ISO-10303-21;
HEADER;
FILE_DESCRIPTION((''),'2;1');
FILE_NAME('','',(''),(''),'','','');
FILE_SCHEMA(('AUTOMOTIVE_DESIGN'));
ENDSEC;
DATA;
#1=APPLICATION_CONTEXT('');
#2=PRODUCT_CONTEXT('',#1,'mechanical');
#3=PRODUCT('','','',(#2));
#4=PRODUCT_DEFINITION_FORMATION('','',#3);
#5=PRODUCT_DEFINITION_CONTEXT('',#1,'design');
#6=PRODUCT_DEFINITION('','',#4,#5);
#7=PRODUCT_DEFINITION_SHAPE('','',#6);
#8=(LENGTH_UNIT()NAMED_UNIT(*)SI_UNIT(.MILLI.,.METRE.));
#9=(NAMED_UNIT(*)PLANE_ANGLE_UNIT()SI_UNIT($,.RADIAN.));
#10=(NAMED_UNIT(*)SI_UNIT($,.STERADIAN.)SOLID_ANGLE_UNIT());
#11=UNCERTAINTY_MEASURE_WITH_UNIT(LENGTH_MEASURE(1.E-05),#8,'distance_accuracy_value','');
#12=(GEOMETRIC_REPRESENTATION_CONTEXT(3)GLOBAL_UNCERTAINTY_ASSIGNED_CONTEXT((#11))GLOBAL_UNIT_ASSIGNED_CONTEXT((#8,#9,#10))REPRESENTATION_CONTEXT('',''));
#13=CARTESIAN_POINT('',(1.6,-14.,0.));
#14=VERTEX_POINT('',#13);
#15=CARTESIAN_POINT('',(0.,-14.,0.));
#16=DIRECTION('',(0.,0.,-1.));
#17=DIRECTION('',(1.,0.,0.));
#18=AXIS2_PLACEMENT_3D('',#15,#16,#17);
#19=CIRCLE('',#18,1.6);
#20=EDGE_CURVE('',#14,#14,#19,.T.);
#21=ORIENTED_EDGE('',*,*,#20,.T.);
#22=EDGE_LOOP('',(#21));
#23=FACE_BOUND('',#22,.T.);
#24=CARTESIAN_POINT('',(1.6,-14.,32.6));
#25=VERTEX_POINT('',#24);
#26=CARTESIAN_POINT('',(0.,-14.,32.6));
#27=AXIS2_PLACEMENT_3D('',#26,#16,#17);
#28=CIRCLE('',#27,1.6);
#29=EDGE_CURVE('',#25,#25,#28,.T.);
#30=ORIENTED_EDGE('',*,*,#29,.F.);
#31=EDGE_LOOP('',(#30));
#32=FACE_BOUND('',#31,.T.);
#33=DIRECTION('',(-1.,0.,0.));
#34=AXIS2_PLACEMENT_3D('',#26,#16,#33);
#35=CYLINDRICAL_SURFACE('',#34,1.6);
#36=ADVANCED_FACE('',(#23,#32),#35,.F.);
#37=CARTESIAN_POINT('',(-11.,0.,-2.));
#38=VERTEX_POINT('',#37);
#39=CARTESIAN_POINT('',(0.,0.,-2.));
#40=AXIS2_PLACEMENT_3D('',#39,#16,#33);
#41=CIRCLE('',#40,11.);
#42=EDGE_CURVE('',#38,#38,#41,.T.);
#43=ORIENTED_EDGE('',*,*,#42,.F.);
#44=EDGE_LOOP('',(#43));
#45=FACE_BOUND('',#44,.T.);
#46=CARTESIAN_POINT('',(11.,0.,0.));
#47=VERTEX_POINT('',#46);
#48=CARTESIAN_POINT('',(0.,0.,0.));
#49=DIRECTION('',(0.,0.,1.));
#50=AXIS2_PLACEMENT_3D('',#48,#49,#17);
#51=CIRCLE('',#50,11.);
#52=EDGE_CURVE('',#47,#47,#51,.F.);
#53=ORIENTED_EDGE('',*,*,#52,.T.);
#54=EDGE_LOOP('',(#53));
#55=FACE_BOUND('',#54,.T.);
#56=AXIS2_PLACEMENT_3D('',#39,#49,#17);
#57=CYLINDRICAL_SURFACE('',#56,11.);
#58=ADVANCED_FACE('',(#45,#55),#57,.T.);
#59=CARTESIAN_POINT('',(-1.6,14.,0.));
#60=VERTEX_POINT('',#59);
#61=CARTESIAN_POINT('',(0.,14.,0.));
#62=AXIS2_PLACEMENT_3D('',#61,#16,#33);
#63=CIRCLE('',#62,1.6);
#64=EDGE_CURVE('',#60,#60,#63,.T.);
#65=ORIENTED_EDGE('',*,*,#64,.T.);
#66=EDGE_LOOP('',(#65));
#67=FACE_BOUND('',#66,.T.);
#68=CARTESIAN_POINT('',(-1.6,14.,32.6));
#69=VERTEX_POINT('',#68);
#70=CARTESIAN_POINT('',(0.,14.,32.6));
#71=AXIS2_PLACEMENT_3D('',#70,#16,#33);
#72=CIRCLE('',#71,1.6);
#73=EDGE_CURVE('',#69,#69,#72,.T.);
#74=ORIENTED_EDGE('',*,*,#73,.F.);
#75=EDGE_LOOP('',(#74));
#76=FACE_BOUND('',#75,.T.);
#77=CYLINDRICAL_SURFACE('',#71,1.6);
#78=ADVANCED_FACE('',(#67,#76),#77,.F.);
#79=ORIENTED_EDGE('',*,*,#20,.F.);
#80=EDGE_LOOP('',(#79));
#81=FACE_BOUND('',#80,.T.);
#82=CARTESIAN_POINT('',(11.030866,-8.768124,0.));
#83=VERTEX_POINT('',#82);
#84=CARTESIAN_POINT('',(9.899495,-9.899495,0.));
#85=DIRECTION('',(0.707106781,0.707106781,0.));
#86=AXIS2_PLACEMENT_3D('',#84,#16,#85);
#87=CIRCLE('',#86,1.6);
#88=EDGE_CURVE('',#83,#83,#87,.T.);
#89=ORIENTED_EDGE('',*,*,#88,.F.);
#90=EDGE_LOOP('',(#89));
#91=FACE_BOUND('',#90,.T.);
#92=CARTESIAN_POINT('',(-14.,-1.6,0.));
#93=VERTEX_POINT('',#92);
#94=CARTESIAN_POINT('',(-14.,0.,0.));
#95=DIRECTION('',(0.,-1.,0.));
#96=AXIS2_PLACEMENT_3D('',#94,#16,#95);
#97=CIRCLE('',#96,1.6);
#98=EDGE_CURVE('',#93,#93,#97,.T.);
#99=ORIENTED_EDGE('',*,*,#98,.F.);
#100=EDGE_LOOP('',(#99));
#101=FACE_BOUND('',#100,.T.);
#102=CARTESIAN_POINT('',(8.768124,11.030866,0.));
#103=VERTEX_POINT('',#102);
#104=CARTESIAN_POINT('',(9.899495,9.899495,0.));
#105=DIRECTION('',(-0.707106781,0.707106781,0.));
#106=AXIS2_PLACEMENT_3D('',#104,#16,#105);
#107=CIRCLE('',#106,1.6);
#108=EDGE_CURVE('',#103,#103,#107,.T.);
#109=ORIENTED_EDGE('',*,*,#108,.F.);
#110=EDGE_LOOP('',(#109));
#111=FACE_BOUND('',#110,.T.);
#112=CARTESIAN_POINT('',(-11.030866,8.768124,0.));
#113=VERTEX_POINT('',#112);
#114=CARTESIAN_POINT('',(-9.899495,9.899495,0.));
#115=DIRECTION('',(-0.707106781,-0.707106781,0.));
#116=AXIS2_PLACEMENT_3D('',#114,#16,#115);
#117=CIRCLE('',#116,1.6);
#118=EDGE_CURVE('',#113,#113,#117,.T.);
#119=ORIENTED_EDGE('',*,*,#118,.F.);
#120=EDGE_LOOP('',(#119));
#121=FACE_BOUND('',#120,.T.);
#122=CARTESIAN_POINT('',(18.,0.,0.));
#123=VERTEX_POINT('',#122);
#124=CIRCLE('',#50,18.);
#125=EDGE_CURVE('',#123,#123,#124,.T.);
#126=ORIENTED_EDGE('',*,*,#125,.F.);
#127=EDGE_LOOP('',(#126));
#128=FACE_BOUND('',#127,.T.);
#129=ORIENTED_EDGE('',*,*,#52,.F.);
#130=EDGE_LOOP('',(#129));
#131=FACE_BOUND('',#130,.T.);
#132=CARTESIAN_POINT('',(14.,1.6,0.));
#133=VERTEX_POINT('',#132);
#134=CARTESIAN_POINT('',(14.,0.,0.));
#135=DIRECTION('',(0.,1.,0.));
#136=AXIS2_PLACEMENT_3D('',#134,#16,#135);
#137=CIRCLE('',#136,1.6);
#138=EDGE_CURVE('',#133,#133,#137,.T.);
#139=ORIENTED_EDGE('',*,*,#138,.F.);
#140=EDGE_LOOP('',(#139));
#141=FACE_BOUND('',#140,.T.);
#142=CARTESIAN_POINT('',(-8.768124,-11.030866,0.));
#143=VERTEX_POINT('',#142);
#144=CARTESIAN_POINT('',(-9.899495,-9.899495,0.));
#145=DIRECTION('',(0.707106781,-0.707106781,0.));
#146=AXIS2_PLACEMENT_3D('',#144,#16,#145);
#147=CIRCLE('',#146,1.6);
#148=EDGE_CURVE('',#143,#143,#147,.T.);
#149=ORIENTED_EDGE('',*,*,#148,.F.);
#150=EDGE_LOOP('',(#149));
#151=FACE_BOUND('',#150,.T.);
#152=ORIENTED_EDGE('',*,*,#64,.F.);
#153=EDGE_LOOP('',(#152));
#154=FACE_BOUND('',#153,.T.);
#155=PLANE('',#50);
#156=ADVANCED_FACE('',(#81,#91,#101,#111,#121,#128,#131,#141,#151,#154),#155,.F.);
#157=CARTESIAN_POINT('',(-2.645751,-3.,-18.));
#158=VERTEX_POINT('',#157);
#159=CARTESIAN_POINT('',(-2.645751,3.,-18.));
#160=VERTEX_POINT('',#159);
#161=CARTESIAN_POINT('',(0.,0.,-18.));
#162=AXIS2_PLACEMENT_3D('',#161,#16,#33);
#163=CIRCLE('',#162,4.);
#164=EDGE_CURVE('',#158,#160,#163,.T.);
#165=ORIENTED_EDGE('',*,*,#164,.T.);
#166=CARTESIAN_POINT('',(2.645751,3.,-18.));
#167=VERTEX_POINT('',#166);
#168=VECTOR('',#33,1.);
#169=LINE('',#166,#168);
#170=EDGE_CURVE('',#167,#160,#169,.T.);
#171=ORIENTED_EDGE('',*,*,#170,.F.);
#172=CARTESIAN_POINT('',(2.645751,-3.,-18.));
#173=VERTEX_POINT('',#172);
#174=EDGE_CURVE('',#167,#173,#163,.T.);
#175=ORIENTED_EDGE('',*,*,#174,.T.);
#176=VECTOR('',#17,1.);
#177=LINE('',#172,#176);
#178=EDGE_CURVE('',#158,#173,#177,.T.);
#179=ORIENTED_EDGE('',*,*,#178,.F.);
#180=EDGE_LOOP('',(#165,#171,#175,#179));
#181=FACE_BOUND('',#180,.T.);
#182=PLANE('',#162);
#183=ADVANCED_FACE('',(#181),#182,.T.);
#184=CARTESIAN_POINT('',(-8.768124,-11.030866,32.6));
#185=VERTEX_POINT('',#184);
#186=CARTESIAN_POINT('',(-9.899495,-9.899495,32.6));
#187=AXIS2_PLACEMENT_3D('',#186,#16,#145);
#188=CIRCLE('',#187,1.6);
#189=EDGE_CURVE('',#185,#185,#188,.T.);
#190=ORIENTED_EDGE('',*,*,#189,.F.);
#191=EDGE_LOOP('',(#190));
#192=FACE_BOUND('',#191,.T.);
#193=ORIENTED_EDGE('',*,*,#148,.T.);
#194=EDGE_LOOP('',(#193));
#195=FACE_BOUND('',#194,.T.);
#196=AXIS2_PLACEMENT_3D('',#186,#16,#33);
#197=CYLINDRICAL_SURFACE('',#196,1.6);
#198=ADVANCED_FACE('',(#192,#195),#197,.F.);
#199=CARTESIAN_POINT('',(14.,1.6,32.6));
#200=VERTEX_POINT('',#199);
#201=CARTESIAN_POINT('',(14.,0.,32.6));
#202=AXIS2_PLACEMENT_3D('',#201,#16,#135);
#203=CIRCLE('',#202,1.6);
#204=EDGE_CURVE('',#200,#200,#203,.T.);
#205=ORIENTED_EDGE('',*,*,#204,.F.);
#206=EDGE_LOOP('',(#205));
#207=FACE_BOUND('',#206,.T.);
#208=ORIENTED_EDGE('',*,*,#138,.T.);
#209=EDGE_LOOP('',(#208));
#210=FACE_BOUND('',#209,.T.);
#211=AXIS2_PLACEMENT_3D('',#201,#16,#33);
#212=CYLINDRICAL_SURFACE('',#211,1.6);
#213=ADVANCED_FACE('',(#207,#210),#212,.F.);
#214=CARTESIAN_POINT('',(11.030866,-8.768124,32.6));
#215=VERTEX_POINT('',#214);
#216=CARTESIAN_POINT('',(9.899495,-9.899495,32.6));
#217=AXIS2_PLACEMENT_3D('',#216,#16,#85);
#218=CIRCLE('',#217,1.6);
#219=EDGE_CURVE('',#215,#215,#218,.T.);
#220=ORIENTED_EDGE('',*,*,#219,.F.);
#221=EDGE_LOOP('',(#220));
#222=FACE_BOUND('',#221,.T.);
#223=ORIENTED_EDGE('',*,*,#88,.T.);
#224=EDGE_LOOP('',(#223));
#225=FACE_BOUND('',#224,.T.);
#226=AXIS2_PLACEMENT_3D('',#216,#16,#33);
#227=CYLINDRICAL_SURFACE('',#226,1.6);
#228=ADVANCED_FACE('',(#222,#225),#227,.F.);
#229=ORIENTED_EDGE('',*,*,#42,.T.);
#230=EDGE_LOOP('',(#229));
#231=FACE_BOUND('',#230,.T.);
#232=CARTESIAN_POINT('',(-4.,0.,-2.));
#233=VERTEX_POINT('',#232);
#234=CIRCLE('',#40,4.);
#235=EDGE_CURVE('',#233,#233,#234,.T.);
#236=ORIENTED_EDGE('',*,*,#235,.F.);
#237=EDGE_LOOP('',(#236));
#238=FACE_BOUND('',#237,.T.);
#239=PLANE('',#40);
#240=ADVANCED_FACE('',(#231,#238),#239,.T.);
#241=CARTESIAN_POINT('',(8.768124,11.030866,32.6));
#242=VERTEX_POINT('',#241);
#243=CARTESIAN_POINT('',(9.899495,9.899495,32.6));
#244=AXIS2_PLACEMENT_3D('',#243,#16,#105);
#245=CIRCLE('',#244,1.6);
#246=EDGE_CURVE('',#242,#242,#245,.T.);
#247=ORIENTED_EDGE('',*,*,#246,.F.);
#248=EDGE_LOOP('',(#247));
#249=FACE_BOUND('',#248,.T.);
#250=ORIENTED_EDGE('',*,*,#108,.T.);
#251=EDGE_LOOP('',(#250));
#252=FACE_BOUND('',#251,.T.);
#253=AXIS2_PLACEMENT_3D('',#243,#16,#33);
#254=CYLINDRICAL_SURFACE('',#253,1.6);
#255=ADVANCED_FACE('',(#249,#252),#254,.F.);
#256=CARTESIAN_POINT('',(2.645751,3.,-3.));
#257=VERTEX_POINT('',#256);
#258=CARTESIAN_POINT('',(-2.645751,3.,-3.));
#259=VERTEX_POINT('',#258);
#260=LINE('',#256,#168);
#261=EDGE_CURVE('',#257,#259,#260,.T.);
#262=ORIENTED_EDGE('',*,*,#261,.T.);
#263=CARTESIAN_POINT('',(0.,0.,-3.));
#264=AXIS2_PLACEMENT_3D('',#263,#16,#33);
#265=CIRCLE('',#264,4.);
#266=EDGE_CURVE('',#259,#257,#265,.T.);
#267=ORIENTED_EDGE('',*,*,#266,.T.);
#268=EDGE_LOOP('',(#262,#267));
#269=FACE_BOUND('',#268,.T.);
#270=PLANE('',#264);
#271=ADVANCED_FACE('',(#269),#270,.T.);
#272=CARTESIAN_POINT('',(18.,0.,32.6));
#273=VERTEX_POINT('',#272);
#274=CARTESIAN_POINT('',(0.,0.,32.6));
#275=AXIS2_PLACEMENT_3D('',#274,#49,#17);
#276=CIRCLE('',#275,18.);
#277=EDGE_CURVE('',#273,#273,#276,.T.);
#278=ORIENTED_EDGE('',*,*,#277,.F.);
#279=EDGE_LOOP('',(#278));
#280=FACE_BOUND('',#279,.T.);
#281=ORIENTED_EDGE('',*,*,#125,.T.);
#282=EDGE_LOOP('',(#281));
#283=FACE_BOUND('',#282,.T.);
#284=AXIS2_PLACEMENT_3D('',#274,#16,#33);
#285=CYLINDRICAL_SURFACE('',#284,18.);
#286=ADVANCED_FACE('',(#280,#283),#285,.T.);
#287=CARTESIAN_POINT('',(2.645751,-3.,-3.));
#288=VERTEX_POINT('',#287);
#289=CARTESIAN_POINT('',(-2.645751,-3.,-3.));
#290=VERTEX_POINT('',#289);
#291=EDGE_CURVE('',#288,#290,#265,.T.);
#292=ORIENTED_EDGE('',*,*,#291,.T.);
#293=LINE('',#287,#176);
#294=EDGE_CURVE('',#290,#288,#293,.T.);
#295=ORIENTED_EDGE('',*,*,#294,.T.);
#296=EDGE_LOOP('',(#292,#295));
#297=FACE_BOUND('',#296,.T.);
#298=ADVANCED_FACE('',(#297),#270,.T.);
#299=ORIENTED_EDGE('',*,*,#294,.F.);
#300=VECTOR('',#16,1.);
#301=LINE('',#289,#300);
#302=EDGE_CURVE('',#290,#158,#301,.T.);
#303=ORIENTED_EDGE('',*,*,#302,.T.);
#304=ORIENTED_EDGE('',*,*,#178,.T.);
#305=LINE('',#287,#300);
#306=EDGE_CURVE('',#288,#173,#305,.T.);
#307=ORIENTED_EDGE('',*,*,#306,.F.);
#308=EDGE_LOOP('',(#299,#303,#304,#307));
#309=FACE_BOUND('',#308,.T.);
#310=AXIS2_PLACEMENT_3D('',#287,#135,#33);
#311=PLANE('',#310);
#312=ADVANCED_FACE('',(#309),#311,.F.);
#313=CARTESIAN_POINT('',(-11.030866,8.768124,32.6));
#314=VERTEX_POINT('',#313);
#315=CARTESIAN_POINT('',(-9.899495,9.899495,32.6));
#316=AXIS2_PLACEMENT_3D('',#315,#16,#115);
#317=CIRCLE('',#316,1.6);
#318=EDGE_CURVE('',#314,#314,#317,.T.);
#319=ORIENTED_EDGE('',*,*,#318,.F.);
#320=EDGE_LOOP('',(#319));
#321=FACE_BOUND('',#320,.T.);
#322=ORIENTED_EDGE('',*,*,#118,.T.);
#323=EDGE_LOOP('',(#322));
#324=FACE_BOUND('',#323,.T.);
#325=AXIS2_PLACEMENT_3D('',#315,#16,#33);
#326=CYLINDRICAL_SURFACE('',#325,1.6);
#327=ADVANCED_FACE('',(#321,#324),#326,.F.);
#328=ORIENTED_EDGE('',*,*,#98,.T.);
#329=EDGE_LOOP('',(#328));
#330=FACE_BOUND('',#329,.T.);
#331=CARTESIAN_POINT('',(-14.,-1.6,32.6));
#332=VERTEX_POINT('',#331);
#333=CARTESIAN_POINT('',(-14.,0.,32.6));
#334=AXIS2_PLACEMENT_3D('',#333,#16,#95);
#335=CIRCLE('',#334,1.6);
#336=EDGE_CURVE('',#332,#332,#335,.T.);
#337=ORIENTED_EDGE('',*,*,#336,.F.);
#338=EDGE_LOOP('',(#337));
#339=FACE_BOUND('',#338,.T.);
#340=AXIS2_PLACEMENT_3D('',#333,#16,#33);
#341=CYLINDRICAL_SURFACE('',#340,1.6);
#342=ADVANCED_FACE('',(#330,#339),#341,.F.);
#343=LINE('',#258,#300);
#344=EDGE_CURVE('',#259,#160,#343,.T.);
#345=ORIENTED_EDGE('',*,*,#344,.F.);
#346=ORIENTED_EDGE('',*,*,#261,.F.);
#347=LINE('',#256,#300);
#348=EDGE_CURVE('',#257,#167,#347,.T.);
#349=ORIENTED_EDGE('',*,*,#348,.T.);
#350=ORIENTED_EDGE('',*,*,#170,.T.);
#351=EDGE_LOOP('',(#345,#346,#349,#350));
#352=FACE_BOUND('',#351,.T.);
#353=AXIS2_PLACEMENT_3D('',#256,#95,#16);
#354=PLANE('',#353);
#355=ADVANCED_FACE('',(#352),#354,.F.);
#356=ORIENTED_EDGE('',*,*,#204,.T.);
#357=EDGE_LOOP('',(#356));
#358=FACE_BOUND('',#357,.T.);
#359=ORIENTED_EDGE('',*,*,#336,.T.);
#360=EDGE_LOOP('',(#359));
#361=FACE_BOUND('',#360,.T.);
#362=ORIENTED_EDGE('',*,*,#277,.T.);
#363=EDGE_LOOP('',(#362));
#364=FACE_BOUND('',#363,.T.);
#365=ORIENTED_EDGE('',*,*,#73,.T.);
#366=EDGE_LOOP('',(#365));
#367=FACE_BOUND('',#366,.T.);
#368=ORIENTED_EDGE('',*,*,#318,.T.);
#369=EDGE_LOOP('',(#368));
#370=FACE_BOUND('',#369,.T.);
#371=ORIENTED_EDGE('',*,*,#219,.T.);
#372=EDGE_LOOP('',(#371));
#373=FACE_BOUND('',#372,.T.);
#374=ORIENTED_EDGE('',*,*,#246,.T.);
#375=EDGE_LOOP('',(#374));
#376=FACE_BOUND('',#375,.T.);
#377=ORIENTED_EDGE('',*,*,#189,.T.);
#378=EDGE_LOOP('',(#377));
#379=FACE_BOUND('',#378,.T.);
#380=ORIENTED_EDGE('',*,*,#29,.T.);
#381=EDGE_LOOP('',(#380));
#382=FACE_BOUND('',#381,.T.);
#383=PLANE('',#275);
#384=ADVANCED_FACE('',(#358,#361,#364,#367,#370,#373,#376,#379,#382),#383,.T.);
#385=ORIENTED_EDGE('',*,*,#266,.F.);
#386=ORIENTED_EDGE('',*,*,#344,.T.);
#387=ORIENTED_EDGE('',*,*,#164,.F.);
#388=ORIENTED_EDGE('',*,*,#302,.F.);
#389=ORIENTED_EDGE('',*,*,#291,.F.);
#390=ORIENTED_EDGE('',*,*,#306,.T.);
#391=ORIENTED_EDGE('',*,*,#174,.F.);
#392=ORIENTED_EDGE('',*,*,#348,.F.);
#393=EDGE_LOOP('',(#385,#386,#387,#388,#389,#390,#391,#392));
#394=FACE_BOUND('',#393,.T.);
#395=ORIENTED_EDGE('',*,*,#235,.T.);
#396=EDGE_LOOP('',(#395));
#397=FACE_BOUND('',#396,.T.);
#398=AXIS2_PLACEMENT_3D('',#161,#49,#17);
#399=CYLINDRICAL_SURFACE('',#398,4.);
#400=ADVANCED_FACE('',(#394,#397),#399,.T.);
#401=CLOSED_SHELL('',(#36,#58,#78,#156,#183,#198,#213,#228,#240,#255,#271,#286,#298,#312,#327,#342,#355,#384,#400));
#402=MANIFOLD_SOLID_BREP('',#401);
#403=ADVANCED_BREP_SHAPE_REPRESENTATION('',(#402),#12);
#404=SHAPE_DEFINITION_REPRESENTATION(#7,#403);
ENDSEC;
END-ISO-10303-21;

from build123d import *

# Parameters (mm, degrees)
SKETCH1_R           = 18
BOSS_EXTRUDE1_DEPTH = 32.6
SKETCH2_R           = 1.6
CUT_EXTRUDE1_DEPTH  = 42.361334601
CIRPATTERN1_COUNT   = 8
SKETCH3_R           = 11
BOSS_EXTRUDE2_DEPTH = 2
SKETCH4_R           = 4
BOSS_EXTRUDE3_DEPTH = 16
CUT_EXTRUDE2_START  = -15
CUT_EXTRUDE2_DEPTH  = 15


with BuildPart() as part:
    # Sketch1 → Boss-Extrude1 (new body)
    with BuildSketch(Plane.XY):
        Circle(SKETCH1_R)
    extrude(amount=BOSS_EXTRUDE1_DEPTH)

    # Sketch2 → Cut-Extrude1 (cut, through all)
    with BuildSketch(Plane(origin=(0, 0, 0), x_dir=(-1, 0, 0), z_dir=(0, 0, -1))):
        with Locations((0, 14)):
            Circle(SKETCH2_R)
    cut_extrude1 = extrude(amount=-CUT_EXTRUDE1_DEPTH, mode=Mode.SUBTRACT)

    # CirPattern1: Cut-Extrude1 ×8 about axis
    cirpattern1_axis = Axis((0, 0, 0), (0, 0, 1))
    for i in range(1, CIRPATTERN1_COUNT):
        add(cut_extrude1.rotate(cirpattern1_axis, i * 360 / CIRPATTERN1_COUNT), mode=Mode.SUBTRACT)

    # Sketch3 → Boss-Extrude2 (add)
    with BuildSketch(Plane(origin=(0, 0, 0), x_dir=(-1, 0, 0), z_dir=(0, 0, -1))):
        with Locations(Location((0, 0, 0), (0, 0, 180))):
            Circle(SKETCH3_R)
    extrude(amount=BOSS_EXTRUDE2_DEPTH)

    # Sketch4 → Boss-Extrude3 (add)
    with BuildSketch(Plane(origin=(0, 0, -2), x_dir=(-1, 0, 0), z_dir=(0, 0, -1))):
        Circle(SKETCH4_R)
    extrude(amount=BOSS_EXTRUDE3_DEPTH)

    # Sketch5 → Cut-Extrude2 (cut)
    with BuildSketch(Plane(origin=(0, 0, -18), x_dir=(-1, 0, 0), z_dir=(0, 0, -1)).offset(CUT_EXTRUDE2_START)):
        with BuildLine():
            Line((-2.645751311, 3), (2.645751311, 3))
            ThreePointArc((2.645751311, 3), (0, 4), (-2.645751311, 3))
        make_face()
        with BuildLine():
            Line((-2.645751311, -3), (2.645751311, -3))
            ThreePointArc((2.645751311, -3), (0, -4), (-2.645751311, -3))
        make_face()
    extrude(amount=CUT_EXTRUDE2_DEPTH, mode=Mode.SUBTRACT)


solid = part.part
